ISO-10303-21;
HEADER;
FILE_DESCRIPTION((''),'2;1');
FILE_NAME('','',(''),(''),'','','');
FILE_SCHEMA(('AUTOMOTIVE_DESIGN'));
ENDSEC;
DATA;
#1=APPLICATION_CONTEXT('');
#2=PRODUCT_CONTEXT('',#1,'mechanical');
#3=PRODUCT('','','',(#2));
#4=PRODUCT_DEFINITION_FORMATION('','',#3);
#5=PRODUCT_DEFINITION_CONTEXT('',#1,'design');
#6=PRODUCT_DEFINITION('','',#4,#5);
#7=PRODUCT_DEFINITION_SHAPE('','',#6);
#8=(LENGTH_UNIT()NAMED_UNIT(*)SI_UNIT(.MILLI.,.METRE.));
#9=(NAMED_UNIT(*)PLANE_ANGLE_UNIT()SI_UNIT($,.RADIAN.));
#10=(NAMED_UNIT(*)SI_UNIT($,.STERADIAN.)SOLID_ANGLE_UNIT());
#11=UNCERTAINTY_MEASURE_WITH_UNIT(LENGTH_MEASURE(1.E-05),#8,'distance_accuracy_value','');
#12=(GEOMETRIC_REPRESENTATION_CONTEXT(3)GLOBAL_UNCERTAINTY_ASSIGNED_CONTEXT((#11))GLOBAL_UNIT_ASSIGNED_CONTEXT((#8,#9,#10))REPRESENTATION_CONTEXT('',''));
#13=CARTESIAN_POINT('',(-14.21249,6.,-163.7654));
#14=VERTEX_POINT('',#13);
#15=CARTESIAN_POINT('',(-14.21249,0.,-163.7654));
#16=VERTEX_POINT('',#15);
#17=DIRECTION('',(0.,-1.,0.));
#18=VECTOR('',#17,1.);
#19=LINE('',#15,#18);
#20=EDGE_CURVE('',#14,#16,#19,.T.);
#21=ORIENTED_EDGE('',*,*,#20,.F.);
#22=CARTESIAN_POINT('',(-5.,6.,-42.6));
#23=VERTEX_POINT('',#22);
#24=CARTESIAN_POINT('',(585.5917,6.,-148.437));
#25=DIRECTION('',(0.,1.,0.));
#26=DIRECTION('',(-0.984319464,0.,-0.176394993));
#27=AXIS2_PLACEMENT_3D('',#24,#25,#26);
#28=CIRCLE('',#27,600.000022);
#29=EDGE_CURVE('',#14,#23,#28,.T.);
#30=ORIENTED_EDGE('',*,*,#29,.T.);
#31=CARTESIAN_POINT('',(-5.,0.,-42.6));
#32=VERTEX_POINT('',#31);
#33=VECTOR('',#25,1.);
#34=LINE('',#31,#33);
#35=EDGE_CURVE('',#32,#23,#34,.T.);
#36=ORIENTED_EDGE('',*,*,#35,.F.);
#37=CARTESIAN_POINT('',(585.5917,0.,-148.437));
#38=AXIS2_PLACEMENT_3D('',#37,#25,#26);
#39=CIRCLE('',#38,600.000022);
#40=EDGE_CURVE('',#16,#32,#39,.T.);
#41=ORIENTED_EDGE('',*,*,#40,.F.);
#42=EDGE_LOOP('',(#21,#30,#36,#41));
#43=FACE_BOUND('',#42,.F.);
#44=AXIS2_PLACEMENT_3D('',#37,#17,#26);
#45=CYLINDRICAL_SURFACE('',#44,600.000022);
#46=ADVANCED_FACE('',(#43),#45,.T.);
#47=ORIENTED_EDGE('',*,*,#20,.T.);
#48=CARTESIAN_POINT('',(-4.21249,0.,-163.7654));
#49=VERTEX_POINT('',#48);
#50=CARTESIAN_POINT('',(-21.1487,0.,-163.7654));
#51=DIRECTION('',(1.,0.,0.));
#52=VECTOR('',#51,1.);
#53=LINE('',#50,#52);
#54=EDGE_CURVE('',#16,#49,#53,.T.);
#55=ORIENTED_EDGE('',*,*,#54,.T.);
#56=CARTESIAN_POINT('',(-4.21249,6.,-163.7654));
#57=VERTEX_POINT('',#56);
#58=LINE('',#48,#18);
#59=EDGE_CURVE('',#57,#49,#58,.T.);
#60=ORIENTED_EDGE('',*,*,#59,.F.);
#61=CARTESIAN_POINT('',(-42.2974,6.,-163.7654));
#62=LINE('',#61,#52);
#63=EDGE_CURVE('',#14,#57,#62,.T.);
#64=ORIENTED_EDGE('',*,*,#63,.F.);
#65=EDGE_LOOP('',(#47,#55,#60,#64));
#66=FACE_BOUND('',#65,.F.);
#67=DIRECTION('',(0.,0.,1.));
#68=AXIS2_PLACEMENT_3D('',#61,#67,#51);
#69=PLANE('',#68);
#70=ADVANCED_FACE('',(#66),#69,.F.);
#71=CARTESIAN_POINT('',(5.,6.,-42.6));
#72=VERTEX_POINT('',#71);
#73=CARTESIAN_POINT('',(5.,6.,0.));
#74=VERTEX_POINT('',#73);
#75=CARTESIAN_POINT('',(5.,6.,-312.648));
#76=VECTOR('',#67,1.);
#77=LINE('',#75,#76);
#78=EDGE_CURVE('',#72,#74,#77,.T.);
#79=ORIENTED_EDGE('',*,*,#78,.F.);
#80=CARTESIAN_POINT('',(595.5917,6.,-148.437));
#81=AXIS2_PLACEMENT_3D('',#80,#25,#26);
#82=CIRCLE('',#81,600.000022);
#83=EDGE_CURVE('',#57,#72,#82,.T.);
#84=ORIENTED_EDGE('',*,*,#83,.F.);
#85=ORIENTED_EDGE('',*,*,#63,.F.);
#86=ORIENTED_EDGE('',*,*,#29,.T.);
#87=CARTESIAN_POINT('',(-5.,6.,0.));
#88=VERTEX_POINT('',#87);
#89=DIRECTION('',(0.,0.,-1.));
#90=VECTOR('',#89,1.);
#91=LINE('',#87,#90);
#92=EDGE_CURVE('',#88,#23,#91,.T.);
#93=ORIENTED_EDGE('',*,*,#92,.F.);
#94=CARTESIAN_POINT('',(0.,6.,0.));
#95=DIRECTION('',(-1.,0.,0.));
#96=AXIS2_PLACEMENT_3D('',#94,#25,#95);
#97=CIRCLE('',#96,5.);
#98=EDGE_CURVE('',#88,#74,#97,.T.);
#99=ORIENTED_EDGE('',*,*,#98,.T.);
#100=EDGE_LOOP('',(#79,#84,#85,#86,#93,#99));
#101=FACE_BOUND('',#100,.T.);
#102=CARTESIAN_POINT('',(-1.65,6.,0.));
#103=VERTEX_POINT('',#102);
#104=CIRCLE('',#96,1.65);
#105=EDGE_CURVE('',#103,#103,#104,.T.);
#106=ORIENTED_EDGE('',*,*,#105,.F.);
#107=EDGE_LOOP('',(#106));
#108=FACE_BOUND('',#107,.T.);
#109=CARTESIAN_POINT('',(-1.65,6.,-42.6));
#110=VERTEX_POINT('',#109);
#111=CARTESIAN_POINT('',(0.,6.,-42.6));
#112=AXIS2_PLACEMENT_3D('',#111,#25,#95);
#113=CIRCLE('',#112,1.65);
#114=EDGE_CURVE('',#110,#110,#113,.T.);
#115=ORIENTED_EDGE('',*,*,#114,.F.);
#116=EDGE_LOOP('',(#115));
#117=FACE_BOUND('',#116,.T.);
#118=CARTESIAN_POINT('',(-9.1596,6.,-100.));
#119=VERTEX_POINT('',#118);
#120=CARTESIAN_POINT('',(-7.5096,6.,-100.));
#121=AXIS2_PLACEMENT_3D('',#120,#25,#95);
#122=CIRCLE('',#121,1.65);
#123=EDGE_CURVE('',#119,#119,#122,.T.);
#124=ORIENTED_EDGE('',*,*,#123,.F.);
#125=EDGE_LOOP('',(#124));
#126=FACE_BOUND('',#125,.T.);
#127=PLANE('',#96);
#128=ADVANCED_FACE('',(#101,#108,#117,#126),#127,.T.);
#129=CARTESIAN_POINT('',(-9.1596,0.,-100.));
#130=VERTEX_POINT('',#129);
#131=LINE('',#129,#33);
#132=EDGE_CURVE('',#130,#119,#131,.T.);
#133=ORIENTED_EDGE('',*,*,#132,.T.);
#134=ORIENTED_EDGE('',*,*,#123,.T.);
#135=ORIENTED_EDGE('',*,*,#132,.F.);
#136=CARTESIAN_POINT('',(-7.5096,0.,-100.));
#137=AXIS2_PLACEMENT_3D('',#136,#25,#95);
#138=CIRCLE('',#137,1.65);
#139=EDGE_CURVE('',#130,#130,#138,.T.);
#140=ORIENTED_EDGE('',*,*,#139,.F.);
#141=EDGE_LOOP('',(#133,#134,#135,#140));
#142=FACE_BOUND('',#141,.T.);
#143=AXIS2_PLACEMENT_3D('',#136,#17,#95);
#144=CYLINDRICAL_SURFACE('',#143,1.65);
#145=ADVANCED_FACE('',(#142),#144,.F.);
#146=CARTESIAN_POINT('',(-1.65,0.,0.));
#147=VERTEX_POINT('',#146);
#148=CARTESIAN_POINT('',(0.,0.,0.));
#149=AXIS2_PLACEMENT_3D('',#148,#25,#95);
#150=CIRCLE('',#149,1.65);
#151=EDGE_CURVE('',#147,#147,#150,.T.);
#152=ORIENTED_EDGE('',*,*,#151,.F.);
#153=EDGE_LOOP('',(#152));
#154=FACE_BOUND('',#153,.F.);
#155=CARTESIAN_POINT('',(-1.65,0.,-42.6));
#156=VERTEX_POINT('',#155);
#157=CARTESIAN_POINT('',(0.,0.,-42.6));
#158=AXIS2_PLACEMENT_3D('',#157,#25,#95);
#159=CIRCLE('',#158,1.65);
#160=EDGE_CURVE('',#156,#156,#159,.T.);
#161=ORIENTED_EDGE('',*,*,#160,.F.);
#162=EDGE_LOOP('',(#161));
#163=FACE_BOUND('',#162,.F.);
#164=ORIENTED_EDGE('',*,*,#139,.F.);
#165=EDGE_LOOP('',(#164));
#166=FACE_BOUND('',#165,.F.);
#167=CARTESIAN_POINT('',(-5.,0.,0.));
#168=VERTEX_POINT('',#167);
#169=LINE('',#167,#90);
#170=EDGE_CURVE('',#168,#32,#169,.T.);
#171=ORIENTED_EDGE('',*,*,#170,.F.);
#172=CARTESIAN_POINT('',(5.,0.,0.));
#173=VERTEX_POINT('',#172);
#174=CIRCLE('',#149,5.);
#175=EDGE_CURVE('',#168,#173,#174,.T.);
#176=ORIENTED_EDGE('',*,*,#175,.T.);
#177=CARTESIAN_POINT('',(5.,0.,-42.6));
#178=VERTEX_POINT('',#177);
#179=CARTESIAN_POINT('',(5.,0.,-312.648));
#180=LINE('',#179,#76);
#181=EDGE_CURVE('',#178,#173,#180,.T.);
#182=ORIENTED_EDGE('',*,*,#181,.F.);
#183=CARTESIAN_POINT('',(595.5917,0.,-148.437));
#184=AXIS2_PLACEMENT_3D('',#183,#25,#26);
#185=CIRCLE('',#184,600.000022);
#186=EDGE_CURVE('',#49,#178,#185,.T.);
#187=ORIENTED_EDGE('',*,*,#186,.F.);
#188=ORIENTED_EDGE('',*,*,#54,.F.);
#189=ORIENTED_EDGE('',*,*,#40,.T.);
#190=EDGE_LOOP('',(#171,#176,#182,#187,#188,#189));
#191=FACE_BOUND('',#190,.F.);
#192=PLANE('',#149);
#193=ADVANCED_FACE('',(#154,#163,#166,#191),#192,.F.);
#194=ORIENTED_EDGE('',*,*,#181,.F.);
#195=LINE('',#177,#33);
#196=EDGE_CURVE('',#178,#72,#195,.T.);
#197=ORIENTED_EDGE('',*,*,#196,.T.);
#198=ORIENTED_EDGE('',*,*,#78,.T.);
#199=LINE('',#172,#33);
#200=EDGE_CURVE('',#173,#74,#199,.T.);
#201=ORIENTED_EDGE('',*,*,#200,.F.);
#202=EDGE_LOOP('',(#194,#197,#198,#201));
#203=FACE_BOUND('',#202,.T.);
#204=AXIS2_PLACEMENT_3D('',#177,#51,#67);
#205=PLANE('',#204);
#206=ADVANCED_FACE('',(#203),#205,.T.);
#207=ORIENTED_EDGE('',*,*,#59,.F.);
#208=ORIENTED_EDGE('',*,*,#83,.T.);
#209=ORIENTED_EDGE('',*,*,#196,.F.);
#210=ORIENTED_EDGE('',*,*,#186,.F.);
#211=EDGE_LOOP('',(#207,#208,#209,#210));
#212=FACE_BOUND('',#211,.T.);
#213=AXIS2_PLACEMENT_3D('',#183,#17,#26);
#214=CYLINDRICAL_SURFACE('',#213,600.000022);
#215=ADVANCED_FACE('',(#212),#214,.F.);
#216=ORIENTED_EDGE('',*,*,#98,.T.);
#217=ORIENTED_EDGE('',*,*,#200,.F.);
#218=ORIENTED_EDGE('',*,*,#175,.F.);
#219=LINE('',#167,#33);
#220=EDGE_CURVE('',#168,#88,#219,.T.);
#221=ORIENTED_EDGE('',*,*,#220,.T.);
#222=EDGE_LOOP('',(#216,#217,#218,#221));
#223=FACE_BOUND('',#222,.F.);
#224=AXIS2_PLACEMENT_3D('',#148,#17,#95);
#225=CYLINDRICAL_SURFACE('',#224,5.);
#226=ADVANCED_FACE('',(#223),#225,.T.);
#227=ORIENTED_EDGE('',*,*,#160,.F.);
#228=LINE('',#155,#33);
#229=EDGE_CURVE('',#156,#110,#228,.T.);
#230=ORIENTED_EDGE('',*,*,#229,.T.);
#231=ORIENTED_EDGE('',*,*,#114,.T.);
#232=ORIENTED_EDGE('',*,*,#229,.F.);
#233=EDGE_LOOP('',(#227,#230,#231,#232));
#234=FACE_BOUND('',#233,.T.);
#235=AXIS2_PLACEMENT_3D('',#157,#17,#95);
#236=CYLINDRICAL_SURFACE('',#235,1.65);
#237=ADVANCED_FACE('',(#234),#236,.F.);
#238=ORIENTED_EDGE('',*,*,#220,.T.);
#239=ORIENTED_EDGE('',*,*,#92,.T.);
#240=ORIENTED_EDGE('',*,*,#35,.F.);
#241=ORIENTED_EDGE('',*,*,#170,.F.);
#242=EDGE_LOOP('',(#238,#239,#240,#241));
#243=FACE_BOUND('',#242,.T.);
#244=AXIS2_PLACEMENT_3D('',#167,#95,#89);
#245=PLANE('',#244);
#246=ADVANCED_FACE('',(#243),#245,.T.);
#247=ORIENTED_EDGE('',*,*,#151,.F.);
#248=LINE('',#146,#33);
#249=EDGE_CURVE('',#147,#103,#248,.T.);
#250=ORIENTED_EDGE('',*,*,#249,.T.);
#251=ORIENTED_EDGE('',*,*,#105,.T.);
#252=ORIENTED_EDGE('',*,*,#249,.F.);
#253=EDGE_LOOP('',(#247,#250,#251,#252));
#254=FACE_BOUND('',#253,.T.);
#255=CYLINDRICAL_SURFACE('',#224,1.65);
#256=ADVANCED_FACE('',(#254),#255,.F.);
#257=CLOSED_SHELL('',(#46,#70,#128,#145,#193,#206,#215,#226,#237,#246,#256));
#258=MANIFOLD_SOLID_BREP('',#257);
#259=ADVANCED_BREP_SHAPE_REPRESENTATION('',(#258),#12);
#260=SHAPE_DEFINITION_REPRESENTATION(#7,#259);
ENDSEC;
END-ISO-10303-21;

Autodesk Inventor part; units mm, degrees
ref_plane "YZ Plane" through (0, 0, 0) normal (1, 0, 0) x (0, 1, 0)
ref_plane "XZ Plane" through (0, 0, 0) normal (0, 1, 0) x (-1, 0, 0)
ref_plane "XY Plane" through (0, 0, 0) normal (0, 0, 1) x (1, 0, 0)
sketch "Sketch1" plane through (0, 0, 0) normal (0, 1, 0) x (-1, 0, 0)
  line L0 (0, 0) -> (0, -312.648) construction
  line L1 (5, 0) -> (5, -312.648)
  line L2 (-5, -312.648) -> (-5, 0)
  arc A0 (5, 0) -> (-5, 0) centre (0, 0) ccw
  arc A1 (-5, -312.648) -> (5, -312.648) centre (0, -312.648) ccw
  circle A2 centre (0, 0) radius 1.65
  circle A3 centre (0, -312.648) radius 1.65
  circle A4 centre (0, -42.6) radius 1.65
  circle A5 centre (0, -254.274) radius 1.65
  arc A6 (5, -254.274) -> (5, -42.6) centre (-585.5917, -148.437) ccw
  arc A7 (-5, -254.274) -> (-5, -42.6) centre (-595.5917, -148.437) ccw
  circle A8 centre (7.5096, -100) radius 1.65
  point P0 (0, -156.324)
  dimension "d0" = 3.3
  dimension "d1" = 3.3
  dimension "d2" = 10
  dimension "d3" = 312.648
  dimension "d10" = 3.3
  dimension "d11" = 42.6
  dimension "d12" = 3.3
  dimension "d13" = 254.274
  dimension "d16" = 600
  dimension "d17" = 600
  dimension "d18" = 3.3
  dimension "d19" = 100
extrude "Extrusion1" add sketch "Sketch1" along normal blind 6 contours L1 A1 L2 A7 A0 | A6 L1
sketch "Sketch2" plane through (0, 6, 0) normal (0, 1, 0) x (1, 0, 0)
  line L0 (-42.2974, 163.7654) -> (39.2104, 163.7654)
  line L1 (39.2104, 163.7654) -> (39.2104, -15.6831)
  line L2 (39.2104, -15.6831) -> (-42.2974, -15.6831)
  line L3 (-42.2974, -15.6831) -> (-42.2974, 163.7654)
  line L4 (-108.6868, 337.298) -> (118.0888, 337.298)
  line L5 (118.0888, 337.298) -> (118.0888, -100.4775)
  line L6 (118.0888, -100.4775) -> (-108.6868, -100.4775)
  line L7 (-108.6868, -100.4775) -> (-108.6868, 337.298)
  point P0 (0, 0)
extrude "Extrusion2" cut sketch "Sketch2" against normal blind 10
properties part number "Part_16_p1"
